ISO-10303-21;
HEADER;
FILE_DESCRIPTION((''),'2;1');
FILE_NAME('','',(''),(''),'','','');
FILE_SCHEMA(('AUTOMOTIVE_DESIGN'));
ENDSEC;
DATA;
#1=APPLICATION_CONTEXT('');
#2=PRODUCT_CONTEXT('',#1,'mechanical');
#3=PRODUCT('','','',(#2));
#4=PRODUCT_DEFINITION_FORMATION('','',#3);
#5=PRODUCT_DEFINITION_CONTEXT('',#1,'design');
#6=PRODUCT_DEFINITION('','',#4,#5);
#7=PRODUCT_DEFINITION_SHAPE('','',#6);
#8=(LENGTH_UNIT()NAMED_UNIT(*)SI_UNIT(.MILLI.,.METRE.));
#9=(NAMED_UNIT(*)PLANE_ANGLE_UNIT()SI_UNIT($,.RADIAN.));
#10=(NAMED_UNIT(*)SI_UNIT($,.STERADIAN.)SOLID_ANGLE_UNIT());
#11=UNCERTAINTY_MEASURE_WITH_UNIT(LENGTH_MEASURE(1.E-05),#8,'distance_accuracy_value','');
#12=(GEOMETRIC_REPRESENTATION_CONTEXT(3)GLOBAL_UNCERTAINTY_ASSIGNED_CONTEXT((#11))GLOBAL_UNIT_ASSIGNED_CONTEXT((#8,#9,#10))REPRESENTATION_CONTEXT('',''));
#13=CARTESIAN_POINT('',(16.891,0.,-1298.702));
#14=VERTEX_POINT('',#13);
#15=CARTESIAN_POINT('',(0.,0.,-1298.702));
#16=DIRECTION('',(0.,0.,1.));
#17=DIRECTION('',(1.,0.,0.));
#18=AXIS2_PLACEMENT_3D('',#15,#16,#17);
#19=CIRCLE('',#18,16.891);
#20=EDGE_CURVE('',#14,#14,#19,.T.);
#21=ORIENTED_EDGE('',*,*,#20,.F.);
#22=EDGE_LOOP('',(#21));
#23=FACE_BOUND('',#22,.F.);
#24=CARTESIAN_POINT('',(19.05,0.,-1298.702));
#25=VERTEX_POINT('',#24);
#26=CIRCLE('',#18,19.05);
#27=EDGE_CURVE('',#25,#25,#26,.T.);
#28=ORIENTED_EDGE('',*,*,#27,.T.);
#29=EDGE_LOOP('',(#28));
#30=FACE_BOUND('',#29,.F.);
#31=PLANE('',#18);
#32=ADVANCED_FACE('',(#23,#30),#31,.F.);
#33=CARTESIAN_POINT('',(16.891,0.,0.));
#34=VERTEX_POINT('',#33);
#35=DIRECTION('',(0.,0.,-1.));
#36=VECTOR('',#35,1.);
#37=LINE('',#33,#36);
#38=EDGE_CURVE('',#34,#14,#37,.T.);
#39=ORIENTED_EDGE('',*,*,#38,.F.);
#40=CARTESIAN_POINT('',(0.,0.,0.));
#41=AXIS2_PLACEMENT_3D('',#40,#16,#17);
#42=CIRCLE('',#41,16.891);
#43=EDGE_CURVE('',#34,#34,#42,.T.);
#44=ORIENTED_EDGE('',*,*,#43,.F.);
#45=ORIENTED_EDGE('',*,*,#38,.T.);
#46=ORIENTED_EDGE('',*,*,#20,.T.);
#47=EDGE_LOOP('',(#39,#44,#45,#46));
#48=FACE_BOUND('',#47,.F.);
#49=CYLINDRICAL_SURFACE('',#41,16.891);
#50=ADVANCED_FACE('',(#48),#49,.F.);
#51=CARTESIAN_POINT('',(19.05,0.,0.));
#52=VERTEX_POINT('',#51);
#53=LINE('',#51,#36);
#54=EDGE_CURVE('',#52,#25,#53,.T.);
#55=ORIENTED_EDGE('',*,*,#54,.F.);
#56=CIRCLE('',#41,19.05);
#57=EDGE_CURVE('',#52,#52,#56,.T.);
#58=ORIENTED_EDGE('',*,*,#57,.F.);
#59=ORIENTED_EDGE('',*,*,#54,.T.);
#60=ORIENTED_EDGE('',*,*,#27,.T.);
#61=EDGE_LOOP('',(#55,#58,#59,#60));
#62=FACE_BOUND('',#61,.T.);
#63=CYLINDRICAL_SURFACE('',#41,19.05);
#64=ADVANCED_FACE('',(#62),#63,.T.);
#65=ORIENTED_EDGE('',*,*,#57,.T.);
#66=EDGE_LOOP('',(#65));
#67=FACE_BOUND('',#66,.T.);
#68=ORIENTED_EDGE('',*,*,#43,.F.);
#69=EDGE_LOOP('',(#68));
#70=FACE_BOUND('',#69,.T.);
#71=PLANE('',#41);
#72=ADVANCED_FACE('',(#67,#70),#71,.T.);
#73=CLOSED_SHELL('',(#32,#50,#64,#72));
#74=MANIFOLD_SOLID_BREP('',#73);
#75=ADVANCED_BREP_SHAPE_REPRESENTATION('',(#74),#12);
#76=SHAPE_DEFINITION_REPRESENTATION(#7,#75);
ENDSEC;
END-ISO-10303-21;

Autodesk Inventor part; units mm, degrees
ref_plane "YZ Plane" through (0, 0, 0) normal (1, 0, 0) x (0, 1, 0)
ref_plane "XZ Plane" through (0, 0, 0) normal (0, 1, 0) x (-1, 0, 0)
ref_plane "XY Plane" through (0, 0, 0) normal (0, 0, 1) x (1, 0, 0)
sketch "Sketch1" plane through (0, 0, 0) normal (0, 0, 1) x (1, 0, 0)
  circle A0 centre (0, 0) radius 19.05
  circle A1 centre (0, 0) radius 16.891
  dimension "d0" = 38.1
  dimension "d2" = 33.782
extrude "Extrusion1" add sketch "Sketch1" against normal blind 1298.702
properties part number "GE-13023-01" material "Steel"
